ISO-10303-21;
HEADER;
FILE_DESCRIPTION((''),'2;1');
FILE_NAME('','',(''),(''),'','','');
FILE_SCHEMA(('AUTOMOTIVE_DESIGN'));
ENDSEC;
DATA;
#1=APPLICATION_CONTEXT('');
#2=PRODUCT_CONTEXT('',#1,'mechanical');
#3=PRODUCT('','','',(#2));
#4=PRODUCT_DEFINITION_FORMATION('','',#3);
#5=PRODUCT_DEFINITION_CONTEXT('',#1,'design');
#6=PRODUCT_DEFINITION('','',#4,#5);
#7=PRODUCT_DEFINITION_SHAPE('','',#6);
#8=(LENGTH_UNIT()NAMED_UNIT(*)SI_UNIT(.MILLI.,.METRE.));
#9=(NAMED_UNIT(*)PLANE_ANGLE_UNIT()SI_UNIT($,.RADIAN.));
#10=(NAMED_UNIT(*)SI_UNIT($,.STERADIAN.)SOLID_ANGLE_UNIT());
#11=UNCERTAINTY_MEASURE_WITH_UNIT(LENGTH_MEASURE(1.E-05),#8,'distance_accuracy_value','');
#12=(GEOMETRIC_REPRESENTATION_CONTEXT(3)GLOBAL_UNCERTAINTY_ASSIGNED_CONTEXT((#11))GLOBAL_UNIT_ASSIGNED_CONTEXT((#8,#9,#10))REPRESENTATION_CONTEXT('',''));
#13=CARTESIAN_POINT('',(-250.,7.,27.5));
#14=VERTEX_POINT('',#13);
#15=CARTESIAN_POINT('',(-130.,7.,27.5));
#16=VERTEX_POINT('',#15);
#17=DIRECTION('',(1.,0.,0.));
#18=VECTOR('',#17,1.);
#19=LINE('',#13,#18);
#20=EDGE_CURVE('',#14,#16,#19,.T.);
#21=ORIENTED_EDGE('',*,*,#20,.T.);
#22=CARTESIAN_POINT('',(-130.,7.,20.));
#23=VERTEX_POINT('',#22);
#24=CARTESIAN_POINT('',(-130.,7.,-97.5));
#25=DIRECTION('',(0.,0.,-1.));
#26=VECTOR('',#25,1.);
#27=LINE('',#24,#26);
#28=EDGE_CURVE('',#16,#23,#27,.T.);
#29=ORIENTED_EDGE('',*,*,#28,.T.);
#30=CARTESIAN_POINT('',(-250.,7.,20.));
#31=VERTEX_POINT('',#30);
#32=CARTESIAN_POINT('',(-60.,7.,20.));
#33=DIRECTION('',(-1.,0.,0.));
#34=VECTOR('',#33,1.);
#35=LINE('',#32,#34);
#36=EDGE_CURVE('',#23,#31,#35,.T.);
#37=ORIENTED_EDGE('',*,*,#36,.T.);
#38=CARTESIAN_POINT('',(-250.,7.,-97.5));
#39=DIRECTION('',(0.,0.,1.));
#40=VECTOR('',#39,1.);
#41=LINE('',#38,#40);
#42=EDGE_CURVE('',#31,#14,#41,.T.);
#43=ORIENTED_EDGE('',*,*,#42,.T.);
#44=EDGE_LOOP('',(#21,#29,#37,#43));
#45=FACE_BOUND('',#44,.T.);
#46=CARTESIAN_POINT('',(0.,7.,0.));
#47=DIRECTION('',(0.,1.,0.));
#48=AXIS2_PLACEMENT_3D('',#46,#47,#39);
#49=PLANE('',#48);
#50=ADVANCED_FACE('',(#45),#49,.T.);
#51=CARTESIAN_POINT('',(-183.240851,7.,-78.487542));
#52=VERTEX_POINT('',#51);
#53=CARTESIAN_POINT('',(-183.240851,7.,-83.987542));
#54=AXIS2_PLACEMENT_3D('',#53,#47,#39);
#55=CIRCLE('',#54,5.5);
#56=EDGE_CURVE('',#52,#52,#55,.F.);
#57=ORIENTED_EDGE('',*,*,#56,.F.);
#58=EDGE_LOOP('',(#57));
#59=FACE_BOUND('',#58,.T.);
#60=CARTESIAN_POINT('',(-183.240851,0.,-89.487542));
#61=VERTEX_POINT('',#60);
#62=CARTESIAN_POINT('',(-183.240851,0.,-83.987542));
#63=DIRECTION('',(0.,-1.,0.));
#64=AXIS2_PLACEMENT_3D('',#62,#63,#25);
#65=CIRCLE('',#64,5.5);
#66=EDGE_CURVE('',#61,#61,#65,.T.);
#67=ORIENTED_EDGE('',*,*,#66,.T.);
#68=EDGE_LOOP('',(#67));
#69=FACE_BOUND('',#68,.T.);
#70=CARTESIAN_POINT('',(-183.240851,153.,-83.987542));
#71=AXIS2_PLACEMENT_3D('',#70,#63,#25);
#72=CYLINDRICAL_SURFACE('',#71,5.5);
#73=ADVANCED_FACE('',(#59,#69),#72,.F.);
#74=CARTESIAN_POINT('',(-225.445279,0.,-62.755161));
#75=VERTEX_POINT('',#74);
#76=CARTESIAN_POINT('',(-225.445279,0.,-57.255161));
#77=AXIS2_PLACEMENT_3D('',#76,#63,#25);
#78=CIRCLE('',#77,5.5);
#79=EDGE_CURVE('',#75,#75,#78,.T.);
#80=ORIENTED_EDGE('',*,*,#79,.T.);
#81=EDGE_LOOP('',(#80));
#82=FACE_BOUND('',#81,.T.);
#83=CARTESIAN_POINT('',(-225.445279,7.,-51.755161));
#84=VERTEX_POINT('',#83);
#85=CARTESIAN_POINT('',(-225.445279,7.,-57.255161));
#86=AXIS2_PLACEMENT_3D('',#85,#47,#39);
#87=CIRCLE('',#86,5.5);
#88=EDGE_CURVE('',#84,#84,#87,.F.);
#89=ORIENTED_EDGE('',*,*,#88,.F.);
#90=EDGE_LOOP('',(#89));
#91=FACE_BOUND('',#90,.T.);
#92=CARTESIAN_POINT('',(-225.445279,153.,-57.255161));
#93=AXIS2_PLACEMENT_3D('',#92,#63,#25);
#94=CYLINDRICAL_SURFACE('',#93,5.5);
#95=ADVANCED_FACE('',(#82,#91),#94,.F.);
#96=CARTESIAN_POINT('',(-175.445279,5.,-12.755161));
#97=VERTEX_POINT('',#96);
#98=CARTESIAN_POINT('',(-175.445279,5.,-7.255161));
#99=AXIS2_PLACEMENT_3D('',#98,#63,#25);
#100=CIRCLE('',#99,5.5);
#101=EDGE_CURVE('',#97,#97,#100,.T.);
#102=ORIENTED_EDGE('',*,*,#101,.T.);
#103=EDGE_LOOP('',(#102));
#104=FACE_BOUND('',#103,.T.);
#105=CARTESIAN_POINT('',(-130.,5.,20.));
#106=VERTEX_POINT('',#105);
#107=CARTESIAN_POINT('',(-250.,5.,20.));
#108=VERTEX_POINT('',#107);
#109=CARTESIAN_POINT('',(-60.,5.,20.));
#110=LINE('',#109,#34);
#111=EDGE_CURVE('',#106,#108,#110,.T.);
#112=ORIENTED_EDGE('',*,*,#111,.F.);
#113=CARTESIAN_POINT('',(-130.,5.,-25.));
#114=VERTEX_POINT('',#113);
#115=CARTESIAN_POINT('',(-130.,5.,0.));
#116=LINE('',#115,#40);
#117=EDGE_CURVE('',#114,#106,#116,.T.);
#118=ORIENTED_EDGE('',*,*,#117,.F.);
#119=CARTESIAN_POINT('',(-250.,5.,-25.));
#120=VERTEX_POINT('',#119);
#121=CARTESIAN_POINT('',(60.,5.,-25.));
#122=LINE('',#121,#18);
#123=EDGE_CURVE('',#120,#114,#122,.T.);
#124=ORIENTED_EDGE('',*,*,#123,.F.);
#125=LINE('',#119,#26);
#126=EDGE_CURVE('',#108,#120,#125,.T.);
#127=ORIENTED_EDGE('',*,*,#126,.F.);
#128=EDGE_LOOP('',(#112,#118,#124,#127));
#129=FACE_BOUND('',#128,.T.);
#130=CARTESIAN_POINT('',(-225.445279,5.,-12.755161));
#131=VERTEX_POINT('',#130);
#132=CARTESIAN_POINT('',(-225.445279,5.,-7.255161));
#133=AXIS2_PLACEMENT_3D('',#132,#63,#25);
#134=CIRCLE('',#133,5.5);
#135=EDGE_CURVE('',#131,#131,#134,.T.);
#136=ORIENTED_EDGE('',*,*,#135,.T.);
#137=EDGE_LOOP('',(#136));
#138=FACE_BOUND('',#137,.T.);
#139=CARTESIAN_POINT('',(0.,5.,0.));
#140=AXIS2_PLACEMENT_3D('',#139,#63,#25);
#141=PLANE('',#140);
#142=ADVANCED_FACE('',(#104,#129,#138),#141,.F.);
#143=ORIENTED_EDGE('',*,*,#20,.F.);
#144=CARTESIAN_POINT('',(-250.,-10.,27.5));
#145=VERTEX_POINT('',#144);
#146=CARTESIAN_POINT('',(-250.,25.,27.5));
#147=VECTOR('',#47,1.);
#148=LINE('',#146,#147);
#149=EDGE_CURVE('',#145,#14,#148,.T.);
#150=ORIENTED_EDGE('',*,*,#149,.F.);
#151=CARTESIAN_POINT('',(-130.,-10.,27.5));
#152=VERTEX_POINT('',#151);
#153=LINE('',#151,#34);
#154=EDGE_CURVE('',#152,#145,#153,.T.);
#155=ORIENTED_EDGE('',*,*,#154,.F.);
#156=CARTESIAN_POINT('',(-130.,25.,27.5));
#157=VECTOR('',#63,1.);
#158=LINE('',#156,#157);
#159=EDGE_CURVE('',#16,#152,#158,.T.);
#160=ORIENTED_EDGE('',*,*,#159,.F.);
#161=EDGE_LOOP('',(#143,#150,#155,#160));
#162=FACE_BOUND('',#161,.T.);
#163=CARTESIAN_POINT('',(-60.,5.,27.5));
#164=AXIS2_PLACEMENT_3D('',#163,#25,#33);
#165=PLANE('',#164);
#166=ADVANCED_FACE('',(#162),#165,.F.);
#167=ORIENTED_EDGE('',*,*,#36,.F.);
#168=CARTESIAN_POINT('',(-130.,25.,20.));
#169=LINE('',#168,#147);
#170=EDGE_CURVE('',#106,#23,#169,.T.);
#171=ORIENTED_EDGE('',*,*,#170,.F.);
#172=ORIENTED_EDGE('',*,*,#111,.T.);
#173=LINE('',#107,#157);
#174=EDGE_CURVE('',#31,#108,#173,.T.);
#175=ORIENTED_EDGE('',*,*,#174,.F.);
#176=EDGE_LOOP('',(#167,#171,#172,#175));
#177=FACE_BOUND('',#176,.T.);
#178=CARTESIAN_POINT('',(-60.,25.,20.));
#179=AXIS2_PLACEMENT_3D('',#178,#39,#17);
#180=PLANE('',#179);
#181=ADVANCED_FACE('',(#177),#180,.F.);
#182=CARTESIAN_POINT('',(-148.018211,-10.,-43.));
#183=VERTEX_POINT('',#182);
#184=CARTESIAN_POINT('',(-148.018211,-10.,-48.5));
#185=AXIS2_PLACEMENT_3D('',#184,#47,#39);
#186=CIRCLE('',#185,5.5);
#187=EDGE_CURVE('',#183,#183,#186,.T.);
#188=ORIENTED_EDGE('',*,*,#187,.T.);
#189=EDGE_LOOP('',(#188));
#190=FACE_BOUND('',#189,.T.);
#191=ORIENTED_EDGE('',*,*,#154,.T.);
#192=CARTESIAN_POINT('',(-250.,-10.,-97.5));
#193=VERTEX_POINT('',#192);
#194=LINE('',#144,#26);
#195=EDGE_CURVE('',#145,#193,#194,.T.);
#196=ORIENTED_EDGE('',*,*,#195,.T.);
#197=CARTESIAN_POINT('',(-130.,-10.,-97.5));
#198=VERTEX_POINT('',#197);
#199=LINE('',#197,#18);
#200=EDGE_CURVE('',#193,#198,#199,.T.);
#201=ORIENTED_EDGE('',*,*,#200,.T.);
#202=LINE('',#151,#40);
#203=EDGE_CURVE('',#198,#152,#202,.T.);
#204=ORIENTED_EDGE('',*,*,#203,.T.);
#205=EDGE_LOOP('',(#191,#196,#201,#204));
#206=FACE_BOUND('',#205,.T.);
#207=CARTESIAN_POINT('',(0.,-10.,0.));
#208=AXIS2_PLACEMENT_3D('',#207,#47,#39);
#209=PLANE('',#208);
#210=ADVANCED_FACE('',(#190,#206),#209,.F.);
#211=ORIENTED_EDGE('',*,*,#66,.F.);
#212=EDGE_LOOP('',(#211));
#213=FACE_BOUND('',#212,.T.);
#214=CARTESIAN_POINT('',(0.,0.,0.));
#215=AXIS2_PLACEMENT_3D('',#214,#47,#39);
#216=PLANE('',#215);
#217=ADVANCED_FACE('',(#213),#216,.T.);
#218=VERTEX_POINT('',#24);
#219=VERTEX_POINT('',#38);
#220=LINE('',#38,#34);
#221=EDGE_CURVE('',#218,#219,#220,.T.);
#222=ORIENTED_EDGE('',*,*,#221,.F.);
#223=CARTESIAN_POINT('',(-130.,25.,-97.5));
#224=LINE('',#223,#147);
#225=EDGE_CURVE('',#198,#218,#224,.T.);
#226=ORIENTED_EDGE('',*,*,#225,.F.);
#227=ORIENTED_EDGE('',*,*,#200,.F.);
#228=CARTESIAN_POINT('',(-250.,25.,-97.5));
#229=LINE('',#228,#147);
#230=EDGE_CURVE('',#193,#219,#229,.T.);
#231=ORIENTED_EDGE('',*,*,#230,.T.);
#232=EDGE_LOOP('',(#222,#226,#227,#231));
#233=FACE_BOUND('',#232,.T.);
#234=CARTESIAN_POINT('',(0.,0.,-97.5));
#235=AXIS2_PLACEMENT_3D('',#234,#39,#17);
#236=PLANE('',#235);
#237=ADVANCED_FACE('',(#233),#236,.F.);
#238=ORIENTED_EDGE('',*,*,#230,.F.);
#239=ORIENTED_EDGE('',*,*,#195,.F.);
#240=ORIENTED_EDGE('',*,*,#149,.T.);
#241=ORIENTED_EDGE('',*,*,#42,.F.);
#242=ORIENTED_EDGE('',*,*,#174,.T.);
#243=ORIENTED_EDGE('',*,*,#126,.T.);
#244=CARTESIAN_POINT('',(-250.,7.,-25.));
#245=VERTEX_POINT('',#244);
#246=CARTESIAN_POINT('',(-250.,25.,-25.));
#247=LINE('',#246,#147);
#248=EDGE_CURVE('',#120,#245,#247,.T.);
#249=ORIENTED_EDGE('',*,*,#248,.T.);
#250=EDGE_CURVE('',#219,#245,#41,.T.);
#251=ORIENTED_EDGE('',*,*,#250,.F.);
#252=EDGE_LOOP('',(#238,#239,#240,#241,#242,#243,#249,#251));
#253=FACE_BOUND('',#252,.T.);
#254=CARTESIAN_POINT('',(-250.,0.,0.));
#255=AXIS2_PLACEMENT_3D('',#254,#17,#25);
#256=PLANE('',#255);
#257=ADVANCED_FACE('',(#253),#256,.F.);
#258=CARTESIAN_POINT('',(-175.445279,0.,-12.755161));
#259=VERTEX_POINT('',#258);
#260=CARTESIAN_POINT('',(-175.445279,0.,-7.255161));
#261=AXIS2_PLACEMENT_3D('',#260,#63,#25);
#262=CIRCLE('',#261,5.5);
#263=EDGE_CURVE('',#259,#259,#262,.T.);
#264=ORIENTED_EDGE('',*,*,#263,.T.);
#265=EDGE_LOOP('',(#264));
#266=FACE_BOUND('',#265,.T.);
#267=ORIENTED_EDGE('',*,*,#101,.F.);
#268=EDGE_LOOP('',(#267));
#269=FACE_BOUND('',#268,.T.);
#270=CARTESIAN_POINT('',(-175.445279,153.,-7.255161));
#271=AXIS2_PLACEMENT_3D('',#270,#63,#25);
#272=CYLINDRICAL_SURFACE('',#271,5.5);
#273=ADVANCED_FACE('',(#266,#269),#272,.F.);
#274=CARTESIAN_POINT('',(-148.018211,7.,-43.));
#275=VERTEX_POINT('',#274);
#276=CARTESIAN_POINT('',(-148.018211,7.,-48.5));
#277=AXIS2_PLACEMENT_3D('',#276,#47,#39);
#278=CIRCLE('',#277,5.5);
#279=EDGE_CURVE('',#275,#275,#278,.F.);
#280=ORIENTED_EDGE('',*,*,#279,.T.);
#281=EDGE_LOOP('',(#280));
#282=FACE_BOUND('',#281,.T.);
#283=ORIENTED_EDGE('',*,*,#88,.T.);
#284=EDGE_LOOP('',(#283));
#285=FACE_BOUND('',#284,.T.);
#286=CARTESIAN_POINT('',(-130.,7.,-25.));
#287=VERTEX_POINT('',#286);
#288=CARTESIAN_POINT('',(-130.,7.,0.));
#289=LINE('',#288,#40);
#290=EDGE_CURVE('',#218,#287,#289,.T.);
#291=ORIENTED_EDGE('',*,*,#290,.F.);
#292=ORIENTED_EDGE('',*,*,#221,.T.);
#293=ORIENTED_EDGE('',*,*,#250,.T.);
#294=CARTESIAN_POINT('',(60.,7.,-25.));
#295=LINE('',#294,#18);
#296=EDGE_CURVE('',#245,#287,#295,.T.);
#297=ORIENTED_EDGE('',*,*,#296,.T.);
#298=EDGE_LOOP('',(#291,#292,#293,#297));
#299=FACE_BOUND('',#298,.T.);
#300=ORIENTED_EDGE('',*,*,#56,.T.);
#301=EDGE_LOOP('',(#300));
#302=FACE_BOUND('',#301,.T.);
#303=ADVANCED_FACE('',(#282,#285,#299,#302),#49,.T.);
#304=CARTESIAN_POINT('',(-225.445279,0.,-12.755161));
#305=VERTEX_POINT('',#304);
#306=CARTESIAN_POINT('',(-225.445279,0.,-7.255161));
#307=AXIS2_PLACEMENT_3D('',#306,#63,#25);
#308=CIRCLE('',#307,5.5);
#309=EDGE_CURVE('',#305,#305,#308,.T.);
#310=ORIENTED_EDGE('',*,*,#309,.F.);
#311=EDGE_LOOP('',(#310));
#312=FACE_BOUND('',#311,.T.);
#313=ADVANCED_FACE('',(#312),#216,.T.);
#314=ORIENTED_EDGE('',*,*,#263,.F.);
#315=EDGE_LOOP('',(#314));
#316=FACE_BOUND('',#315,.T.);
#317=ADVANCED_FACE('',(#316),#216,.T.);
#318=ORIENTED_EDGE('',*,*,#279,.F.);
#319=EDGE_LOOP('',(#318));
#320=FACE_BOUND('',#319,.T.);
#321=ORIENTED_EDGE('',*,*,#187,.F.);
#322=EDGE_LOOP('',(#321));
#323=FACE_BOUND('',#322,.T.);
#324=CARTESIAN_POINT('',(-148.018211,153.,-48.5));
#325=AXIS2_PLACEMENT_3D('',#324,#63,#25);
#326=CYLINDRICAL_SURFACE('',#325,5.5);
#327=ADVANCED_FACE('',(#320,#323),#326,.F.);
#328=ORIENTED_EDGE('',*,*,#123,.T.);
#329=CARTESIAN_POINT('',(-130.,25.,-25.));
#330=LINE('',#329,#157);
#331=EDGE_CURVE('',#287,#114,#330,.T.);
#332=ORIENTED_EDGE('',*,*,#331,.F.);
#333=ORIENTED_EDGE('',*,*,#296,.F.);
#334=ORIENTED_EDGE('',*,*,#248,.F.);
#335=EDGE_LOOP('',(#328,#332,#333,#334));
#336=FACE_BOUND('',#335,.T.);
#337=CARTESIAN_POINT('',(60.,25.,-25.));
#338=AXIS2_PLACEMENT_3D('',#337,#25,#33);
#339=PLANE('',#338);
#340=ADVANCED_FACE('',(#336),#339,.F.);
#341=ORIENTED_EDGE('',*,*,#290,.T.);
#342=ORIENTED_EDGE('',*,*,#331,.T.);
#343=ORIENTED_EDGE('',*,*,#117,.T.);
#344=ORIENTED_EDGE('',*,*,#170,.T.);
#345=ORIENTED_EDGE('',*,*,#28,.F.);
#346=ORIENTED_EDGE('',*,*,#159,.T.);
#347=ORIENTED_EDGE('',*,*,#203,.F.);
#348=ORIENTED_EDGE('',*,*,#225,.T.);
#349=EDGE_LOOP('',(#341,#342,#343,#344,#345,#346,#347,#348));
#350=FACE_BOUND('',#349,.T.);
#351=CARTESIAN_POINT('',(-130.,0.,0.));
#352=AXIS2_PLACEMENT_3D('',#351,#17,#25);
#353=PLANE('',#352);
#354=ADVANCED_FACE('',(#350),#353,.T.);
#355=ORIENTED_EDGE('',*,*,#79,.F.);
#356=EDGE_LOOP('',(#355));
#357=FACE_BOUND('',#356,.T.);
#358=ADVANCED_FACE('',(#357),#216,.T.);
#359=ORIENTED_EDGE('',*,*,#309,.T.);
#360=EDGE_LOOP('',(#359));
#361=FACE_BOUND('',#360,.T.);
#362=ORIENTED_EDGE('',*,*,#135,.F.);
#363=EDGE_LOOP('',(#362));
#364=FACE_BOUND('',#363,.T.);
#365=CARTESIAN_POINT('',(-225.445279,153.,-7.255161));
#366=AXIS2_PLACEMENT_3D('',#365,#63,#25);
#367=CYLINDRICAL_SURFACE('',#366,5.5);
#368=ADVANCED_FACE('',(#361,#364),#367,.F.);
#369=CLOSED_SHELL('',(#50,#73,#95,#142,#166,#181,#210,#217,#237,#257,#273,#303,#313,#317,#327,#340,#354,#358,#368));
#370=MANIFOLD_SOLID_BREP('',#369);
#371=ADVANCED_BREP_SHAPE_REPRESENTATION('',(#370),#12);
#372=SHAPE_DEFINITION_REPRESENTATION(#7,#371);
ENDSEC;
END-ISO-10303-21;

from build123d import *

# Parameters (mm, degrees)
SKETCH1_W           = 120
SKETCH1_H           = 55
BOSS_EXTRUDE1_DEPTH = 5
SKETCH2_W           = 120
SKETCH2_H           = 7.5
BOSS_EXTRUDE2_DEPTH = 20
SKETCH3_W           = 120
SKETCH3_H           = 2.5
BOSS_EXTRUDE4_DEPTH = 20
BOSS_EXTRUDE5_DEPTH = 190
SKETCH9_W           = 310
SKETCH9_H           = 25
BOSS_EXTRUDE6_DEPTH = 70
SKETCH14_R          = 5.5
CUT_EXTRUDE5_DEPTH  = 153
SKETCH15_W          = 125
SKETCH15_H          = 25
CUT_EXTRUDE6_DEPTH  = 190
SKETCH16_W          = 120
SKETCH16_H          = 125
BOSS_EXTRUDE8_DEPTH = 10
SKETCH17_W          = 120
SKETCH17_H          = 125
CUT_EXTRUDE7_DEPTH  = 18
CUT_EXTRUDE8_START  = -18
SKETCH18_R          = 5.5
CUT_EXTRUDE8_DEPTH  = 18


with BuildPart() as part:
    # Sketch1 → Boss-Extrude1 (new body)
    with BuildSketch(Plane(origin=(0, 0, 0), x_dir=(1, 0, 0), z_dir=(0, 1, 0))):
        Rectangle(SKETCH1_W, SKETCH1_H)
    extrude(amount=BOSS_EXTRUDE1_DEPTH)

    # Sketch2 → Boss-Extrude2 (add)
    with BuildSketch(Plane(origin=(0, 5, 0), x_dir=(1, 0, 0), z_dir=(0, 1, 0))):
        with Locations((0, -23.75)):
            Rectangle(SKETCH2_W, SKETCH2_H)
    extrude(amount=BOSS_EXTRUDE2_DEPTH)

    # Sketch3 → Boss-Extrude4 (add)
    with BuildSketch(Plane(origin=(0, 5, 0), x_dir=(1, 0, 0), z_dir=(0, 1, 0))):
        with Locations((0, 26.25)):
            Rectangle(SKETCH3_W, SKETCH3_H)
    extrude(amount=BOSS_EXTRUDE4_DEPTH)

    # Sketch8 → Boss-Extrude5 (add)
    with BuildSketch(Plane.ZY.offset(60)):
        Polygon((-27.5, 0), (-27.5, 25), (-25, 25), (-25, 5), (20, 5), (20, 25), (27.5, 25), (27.5, 0), align=None)
    extrude(amount=BOSS_EXTRUDE5_DEPTH)

    # Sketch9 → Boss-Extrude6 (add)
    with BuildSketch(Plane(origin=(0, 0, -27.5), x_dir=(-1, 0, 0), z_dir=(0, 0, -1))):
        with Locations((95, 12.5)):
            Rectangle(SKETCH9_W, SKETCH9_H)
    extrude(amount=BOSS_EXTRUDE6_DEPTH)

    # Sketch14 → Cut-Extrude5 (cut)
    with BuildSketch(Plane(origin=(0, 0, 0), x_dir=(-1, 0, 0), z_dir=(0, -1, 0))):
        with Locations(Location((225.445279058, 7.255161462, 0), (0, 0, 90))):
            Circle(SKETCH14_R)
        with Locations(Location((175.445279058, 7.255161462, 0), (0, 0, 90))):
            Circle(SKETCH14_R)
        with Locations(Location((225.445279058, 57.255161462, 0), (0, 0, 90))):
            Circle(SKETCH14_R)
        with Locations(Location((148.0182107, 48.5, 0), (0, 0, 90))):
            Circle(SKETCH14_R)
        with Locations(Location((183.240850763, 83.987541856, 0), (0, 0, 90))):
            Circle(SKETCH14_R)
    extrude(amount=-CUT_EXTRUDE5_DEPTH, mode=Mode.SUBTRACT)

    # Sketch15 → Cut-Extrude6 (cut)
    with BuildSketch(Plane(origin=(60, 0, 0), x_dir=(0, 0, -1), z_dir=(1, 0, 0))):
        with Locations((35, 12.5)):
            Rectangle(SKETCH15_W, SKETCH15_H)
    extrude(amount=-CUT_EXTRUDE6_DEPTH, mode=Mode.SUBTRACT)

    # Sketch16 → Boss-Extrude8 (add)
    with BuildSketch(Plane(origin=(0, 0, 0), x_dir=(-1, 0, 0), z_dir=(0, -1, 0))):
        with Locations((190, 35)):
            Rectangle(SKETCH16_W, SKETCH16_H)
    extrude(amount=BOSS_EXTRUDE8_DEPTH)

    # Sketch17 → Cut-Extrude7 (cut)
    with BuildSketch(Plane(origin=(0, 25, 0), x_dir=(1, 0, 0), z_dir=(0, 1, 0))):
        with Locations((-190, 35)):
            Rectangle(SKETCH17_W, SKETCH17_H)
    extrude(amount=-CUT_EXTRUDE7_DEPTH, mode=Mode.SUBTRACT)

    # Sketch18 → Cut-Extrude8 (cut)
    with BuildSketch(Plane(origin=(0, 7, 0), x_dir=(1, 0, 0), z_dir=(0, 1, 0)).offset(CUT_EXTRUDE8_START)):
        with Locations(Location((-148.0182107, 48.5, 0), (0, 0, 270))):
            Circle(SKETCH18_R)
    extrude(amount=CUT_EXTRUDE8_DEPTH, mode=Mode.SUBTRACT)


solid = part.part
